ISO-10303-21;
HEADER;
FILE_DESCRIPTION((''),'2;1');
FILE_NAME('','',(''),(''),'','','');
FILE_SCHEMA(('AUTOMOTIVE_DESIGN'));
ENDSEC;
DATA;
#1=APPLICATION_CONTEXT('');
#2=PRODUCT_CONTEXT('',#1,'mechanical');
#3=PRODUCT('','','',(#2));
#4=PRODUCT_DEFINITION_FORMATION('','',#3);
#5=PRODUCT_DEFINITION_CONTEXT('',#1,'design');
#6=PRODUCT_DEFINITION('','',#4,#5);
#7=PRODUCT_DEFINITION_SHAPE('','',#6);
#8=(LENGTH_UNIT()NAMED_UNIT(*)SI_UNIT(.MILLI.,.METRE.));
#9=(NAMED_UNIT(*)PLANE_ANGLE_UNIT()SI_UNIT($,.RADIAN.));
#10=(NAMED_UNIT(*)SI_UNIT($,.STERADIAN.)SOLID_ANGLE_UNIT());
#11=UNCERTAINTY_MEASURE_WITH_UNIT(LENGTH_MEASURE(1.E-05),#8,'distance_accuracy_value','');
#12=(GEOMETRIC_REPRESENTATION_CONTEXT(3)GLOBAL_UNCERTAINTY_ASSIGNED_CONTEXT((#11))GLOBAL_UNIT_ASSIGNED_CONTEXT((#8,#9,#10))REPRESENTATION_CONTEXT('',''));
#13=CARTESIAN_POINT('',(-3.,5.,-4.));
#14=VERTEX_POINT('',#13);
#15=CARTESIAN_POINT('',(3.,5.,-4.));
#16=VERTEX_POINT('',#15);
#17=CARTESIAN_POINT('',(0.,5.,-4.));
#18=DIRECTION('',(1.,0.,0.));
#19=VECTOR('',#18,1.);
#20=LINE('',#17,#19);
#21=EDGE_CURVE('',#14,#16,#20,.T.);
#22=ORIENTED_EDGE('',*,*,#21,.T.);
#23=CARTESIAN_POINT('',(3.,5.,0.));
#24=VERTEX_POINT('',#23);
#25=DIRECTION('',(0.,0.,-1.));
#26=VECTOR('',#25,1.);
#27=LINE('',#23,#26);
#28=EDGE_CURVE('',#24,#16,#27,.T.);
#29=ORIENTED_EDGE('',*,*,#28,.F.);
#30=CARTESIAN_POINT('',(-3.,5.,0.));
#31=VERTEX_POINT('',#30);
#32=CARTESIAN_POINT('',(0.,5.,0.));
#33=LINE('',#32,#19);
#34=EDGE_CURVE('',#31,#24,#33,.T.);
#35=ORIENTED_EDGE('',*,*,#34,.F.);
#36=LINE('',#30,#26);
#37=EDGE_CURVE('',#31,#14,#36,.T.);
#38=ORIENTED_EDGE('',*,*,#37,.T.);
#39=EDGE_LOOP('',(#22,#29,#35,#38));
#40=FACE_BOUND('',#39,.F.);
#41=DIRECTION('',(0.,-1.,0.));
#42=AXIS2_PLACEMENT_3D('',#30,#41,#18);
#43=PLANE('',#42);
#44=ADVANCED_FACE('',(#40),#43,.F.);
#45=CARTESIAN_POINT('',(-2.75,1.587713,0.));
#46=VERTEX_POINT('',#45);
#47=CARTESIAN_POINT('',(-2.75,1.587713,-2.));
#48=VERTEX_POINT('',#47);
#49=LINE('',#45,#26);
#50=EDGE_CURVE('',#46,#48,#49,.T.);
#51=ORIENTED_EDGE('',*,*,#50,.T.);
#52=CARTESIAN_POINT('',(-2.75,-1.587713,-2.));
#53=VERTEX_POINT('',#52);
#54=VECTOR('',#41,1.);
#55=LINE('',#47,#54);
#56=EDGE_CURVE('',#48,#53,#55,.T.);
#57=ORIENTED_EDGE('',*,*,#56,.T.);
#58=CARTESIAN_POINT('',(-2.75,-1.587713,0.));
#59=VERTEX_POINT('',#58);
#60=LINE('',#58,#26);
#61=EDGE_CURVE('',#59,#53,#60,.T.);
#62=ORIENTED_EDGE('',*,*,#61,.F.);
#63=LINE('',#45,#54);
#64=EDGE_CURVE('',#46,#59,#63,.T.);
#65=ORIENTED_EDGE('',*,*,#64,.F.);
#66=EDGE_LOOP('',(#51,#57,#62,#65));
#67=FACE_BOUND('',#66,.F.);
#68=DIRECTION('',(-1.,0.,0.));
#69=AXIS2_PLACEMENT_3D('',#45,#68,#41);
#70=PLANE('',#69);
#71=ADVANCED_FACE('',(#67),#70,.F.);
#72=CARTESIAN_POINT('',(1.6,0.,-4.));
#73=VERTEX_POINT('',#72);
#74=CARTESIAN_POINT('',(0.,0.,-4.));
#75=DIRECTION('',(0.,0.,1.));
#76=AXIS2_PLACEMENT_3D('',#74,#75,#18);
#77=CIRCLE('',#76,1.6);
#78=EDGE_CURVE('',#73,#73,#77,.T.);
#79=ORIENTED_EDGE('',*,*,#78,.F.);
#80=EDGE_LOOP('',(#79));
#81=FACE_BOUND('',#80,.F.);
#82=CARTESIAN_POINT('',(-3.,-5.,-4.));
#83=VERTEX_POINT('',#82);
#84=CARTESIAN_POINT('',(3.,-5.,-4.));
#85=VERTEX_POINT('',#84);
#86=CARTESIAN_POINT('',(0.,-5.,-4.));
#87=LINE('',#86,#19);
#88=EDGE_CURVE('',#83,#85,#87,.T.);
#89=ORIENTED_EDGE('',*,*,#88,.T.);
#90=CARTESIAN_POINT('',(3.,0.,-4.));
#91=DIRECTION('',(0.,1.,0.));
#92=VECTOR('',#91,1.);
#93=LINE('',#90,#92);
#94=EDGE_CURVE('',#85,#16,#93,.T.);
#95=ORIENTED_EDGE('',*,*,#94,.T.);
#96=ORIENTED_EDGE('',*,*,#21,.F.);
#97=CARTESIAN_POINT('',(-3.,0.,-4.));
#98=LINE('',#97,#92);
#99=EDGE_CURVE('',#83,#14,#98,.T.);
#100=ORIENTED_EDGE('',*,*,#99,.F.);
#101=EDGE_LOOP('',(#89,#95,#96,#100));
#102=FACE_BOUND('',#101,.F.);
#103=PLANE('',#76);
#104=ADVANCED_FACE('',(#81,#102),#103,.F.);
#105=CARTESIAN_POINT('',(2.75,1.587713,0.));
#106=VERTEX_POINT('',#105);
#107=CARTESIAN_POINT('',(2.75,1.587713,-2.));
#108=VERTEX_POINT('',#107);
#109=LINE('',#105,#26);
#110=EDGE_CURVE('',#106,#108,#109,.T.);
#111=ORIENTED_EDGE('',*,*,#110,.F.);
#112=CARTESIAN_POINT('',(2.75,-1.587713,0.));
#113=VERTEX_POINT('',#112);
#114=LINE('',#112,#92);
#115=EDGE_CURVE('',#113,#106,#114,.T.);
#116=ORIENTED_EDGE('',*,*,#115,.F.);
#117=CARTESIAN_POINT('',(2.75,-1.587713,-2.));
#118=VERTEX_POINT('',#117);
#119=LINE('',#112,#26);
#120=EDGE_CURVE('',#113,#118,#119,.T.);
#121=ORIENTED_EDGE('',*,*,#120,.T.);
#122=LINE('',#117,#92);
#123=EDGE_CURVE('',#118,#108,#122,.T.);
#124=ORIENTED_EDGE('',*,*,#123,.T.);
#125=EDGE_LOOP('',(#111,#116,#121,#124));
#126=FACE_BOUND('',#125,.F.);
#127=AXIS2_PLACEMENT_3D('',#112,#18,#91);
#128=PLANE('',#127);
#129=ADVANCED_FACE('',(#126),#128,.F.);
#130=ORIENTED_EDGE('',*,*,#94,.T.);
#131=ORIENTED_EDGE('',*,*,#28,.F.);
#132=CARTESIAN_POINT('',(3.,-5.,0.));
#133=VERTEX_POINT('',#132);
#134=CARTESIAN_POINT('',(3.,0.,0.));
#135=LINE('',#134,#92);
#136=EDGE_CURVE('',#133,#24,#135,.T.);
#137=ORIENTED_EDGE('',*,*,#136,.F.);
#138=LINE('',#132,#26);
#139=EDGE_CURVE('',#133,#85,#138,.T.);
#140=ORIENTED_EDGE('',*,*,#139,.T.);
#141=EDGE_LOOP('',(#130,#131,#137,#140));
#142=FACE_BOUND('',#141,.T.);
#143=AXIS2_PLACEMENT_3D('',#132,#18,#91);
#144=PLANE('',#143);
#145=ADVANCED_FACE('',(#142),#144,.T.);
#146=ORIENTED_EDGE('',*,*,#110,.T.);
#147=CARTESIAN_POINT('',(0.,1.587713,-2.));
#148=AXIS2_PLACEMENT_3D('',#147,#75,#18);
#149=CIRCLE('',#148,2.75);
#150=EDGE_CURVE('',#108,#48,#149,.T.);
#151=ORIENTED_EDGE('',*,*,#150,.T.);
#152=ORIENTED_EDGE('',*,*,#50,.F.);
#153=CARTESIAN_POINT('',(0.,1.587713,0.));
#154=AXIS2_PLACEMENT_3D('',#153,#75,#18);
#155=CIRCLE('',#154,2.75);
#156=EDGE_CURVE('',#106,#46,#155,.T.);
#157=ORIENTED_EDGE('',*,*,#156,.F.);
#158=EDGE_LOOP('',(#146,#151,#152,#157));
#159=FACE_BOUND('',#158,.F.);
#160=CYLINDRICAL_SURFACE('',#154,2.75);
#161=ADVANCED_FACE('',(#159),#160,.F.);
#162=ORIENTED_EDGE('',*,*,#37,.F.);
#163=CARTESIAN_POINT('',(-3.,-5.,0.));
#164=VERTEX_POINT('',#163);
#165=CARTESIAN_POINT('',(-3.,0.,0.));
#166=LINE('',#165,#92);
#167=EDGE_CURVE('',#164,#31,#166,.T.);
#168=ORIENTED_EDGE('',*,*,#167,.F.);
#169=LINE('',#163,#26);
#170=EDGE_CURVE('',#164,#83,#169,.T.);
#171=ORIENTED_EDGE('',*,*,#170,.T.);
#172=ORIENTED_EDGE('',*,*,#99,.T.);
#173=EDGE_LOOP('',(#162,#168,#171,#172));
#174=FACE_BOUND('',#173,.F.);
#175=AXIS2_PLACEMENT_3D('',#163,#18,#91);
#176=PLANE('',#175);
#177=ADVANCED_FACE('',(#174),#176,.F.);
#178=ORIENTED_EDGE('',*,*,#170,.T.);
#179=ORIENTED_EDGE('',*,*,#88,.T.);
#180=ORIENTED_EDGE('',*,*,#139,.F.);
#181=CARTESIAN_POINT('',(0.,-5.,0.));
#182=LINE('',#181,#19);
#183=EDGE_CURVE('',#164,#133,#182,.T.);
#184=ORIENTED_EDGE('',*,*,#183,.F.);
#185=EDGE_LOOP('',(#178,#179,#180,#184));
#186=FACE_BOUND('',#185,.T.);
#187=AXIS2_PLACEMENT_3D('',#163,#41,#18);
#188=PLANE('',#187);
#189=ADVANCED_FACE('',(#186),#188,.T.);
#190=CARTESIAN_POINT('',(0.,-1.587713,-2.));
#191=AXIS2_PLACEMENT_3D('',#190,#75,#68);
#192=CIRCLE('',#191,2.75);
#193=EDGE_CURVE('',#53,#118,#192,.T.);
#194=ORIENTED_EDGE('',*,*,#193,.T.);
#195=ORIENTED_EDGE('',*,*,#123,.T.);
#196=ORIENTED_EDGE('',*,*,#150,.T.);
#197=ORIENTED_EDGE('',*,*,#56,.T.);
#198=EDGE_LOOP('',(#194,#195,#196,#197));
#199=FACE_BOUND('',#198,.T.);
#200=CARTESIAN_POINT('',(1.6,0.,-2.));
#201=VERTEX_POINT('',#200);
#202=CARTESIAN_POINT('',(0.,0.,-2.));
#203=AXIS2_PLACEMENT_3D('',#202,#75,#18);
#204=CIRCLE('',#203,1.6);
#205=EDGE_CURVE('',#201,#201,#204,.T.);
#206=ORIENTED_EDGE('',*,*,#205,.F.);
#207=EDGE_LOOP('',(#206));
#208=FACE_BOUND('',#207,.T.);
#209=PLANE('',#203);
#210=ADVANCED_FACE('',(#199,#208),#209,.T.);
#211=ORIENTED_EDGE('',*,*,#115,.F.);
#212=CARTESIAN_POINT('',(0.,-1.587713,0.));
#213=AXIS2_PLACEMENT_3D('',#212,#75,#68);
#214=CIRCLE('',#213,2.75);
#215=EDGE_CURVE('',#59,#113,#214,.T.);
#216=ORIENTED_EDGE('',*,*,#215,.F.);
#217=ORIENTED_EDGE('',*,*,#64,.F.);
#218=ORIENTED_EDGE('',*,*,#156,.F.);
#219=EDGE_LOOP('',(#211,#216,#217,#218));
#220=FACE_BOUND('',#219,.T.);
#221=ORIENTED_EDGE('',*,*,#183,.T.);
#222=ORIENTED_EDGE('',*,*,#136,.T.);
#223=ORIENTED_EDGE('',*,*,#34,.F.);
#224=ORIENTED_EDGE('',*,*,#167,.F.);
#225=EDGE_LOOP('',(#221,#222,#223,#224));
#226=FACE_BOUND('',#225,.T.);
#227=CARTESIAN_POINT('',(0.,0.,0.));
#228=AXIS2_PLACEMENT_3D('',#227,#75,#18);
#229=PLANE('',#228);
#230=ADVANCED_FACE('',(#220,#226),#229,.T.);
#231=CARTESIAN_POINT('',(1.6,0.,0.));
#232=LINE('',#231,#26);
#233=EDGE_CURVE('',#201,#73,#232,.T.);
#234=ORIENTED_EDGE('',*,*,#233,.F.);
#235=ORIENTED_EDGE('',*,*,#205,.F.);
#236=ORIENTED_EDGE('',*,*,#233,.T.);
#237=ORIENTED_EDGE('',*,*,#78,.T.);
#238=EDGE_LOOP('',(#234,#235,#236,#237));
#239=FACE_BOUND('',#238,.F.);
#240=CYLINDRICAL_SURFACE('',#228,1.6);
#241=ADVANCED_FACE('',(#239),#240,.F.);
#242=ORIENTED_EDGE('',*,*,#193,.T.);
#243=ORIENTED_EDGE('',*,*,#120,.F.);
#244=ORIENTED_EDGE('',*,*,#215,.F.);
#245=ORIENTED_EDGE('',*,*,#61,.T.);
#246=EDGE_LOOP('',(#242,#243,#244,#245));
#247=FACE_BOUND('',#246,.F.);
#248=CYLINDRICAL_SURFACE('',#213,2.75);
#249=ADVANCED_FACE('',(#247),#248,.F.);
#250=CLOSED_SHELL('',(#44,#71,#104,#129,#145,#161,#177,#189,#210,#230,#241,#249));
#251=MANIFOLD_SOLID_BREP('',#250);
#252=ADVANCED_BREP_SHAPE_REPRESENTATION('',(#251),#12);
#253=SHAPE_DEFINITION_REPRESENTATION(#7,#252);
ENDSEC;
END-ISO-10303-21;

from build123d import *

# Parameters (mm, degrees)
F0_W     = 6
F0_H     = 10
F0_R     = 1.6
F1_DEPTH = 4
F2_DEPTH = 2


with BuildPart() as f1:
    # F0 (on Top) → F1 (new body)
    with BuildSketch(Plane.XY):
        Rectangle(F0_W, F0_H)
        with BuildLine():
            ThreePointArc((-2.75, 1.587713), (0, 4.337713), (2.75, 1.587713))
            Line((2.75, 1.587713), (2.75, -1.587713))
            ThreePointArc((2.75, -1.587713), (0, -4.337713), (-2.75, -1.587713))
            Line((-2.75, -1.587713), (-2.75, 1.587713))
        make_face(mode=Mode.SUBTRACT)
        Polygon((2.75, -1.587713), (2.75, 1.587713), (0, 3.175426), (-2.75, 1.587713), (-2.75, -1.587713), (0, -3.175426), align=None)
        Circle(F0_R, mode=Mode.SUBTRACT)
        with BuildLine():
            ThreePointArc((-2.75, -1.587713), (0, -4.337713), (2.75, -1.587713))
            Line((2.75, -1.587713), (0, -3.175426))
            Line((0, -3.175426), (-2.75, -1.587713))
        make_face()
        with BuildLine():
            Line((0, 3.175426), (2.75, 1.587713))
            ThreePointArc((2.75, 1.587713), (0, 4.337713), (-2.75, 1.587713))
            Line((-2.75, 1.587713), (0, 3.175426))
        make_face()
    extrude(amount=-F1_DEPTH)

    # F0 (on Top) → F2 (cut)
    with BuildSketch(Plane.XY):
        Polygon((2.75, -1.587713), (2.75, 1.587713), (0, 3.175426), (-2.75, 1.587713), (-2.75, -1.587713), (0, -3.175426), align=None)
        Circle(F0_R, mode=Mode.SUBTRACT)
        with BuildLine():
            Line((0, 3.175426), (2.75, 1.587713))
            ThreePointArc((2.75, 1.587713), (0, 4.337713), (-2.75, 1.587713))
            Line((-2.75, 1.587713), (0, 3.175426))
        make_face()
        with BuildLine():
            ThreePointArc((-2.75, -1.587713), (0, -4.337713), (2.75, -1.587713))
            Line((2.75, -1.587713), (0, -3.175426))
            Line((0, -3.175426), (-2.75, -1.587713))
        make_face()
    extrude(amount=-F2_DEPTH, mode=Mode.SUBTRACT)


solid = f1.part
